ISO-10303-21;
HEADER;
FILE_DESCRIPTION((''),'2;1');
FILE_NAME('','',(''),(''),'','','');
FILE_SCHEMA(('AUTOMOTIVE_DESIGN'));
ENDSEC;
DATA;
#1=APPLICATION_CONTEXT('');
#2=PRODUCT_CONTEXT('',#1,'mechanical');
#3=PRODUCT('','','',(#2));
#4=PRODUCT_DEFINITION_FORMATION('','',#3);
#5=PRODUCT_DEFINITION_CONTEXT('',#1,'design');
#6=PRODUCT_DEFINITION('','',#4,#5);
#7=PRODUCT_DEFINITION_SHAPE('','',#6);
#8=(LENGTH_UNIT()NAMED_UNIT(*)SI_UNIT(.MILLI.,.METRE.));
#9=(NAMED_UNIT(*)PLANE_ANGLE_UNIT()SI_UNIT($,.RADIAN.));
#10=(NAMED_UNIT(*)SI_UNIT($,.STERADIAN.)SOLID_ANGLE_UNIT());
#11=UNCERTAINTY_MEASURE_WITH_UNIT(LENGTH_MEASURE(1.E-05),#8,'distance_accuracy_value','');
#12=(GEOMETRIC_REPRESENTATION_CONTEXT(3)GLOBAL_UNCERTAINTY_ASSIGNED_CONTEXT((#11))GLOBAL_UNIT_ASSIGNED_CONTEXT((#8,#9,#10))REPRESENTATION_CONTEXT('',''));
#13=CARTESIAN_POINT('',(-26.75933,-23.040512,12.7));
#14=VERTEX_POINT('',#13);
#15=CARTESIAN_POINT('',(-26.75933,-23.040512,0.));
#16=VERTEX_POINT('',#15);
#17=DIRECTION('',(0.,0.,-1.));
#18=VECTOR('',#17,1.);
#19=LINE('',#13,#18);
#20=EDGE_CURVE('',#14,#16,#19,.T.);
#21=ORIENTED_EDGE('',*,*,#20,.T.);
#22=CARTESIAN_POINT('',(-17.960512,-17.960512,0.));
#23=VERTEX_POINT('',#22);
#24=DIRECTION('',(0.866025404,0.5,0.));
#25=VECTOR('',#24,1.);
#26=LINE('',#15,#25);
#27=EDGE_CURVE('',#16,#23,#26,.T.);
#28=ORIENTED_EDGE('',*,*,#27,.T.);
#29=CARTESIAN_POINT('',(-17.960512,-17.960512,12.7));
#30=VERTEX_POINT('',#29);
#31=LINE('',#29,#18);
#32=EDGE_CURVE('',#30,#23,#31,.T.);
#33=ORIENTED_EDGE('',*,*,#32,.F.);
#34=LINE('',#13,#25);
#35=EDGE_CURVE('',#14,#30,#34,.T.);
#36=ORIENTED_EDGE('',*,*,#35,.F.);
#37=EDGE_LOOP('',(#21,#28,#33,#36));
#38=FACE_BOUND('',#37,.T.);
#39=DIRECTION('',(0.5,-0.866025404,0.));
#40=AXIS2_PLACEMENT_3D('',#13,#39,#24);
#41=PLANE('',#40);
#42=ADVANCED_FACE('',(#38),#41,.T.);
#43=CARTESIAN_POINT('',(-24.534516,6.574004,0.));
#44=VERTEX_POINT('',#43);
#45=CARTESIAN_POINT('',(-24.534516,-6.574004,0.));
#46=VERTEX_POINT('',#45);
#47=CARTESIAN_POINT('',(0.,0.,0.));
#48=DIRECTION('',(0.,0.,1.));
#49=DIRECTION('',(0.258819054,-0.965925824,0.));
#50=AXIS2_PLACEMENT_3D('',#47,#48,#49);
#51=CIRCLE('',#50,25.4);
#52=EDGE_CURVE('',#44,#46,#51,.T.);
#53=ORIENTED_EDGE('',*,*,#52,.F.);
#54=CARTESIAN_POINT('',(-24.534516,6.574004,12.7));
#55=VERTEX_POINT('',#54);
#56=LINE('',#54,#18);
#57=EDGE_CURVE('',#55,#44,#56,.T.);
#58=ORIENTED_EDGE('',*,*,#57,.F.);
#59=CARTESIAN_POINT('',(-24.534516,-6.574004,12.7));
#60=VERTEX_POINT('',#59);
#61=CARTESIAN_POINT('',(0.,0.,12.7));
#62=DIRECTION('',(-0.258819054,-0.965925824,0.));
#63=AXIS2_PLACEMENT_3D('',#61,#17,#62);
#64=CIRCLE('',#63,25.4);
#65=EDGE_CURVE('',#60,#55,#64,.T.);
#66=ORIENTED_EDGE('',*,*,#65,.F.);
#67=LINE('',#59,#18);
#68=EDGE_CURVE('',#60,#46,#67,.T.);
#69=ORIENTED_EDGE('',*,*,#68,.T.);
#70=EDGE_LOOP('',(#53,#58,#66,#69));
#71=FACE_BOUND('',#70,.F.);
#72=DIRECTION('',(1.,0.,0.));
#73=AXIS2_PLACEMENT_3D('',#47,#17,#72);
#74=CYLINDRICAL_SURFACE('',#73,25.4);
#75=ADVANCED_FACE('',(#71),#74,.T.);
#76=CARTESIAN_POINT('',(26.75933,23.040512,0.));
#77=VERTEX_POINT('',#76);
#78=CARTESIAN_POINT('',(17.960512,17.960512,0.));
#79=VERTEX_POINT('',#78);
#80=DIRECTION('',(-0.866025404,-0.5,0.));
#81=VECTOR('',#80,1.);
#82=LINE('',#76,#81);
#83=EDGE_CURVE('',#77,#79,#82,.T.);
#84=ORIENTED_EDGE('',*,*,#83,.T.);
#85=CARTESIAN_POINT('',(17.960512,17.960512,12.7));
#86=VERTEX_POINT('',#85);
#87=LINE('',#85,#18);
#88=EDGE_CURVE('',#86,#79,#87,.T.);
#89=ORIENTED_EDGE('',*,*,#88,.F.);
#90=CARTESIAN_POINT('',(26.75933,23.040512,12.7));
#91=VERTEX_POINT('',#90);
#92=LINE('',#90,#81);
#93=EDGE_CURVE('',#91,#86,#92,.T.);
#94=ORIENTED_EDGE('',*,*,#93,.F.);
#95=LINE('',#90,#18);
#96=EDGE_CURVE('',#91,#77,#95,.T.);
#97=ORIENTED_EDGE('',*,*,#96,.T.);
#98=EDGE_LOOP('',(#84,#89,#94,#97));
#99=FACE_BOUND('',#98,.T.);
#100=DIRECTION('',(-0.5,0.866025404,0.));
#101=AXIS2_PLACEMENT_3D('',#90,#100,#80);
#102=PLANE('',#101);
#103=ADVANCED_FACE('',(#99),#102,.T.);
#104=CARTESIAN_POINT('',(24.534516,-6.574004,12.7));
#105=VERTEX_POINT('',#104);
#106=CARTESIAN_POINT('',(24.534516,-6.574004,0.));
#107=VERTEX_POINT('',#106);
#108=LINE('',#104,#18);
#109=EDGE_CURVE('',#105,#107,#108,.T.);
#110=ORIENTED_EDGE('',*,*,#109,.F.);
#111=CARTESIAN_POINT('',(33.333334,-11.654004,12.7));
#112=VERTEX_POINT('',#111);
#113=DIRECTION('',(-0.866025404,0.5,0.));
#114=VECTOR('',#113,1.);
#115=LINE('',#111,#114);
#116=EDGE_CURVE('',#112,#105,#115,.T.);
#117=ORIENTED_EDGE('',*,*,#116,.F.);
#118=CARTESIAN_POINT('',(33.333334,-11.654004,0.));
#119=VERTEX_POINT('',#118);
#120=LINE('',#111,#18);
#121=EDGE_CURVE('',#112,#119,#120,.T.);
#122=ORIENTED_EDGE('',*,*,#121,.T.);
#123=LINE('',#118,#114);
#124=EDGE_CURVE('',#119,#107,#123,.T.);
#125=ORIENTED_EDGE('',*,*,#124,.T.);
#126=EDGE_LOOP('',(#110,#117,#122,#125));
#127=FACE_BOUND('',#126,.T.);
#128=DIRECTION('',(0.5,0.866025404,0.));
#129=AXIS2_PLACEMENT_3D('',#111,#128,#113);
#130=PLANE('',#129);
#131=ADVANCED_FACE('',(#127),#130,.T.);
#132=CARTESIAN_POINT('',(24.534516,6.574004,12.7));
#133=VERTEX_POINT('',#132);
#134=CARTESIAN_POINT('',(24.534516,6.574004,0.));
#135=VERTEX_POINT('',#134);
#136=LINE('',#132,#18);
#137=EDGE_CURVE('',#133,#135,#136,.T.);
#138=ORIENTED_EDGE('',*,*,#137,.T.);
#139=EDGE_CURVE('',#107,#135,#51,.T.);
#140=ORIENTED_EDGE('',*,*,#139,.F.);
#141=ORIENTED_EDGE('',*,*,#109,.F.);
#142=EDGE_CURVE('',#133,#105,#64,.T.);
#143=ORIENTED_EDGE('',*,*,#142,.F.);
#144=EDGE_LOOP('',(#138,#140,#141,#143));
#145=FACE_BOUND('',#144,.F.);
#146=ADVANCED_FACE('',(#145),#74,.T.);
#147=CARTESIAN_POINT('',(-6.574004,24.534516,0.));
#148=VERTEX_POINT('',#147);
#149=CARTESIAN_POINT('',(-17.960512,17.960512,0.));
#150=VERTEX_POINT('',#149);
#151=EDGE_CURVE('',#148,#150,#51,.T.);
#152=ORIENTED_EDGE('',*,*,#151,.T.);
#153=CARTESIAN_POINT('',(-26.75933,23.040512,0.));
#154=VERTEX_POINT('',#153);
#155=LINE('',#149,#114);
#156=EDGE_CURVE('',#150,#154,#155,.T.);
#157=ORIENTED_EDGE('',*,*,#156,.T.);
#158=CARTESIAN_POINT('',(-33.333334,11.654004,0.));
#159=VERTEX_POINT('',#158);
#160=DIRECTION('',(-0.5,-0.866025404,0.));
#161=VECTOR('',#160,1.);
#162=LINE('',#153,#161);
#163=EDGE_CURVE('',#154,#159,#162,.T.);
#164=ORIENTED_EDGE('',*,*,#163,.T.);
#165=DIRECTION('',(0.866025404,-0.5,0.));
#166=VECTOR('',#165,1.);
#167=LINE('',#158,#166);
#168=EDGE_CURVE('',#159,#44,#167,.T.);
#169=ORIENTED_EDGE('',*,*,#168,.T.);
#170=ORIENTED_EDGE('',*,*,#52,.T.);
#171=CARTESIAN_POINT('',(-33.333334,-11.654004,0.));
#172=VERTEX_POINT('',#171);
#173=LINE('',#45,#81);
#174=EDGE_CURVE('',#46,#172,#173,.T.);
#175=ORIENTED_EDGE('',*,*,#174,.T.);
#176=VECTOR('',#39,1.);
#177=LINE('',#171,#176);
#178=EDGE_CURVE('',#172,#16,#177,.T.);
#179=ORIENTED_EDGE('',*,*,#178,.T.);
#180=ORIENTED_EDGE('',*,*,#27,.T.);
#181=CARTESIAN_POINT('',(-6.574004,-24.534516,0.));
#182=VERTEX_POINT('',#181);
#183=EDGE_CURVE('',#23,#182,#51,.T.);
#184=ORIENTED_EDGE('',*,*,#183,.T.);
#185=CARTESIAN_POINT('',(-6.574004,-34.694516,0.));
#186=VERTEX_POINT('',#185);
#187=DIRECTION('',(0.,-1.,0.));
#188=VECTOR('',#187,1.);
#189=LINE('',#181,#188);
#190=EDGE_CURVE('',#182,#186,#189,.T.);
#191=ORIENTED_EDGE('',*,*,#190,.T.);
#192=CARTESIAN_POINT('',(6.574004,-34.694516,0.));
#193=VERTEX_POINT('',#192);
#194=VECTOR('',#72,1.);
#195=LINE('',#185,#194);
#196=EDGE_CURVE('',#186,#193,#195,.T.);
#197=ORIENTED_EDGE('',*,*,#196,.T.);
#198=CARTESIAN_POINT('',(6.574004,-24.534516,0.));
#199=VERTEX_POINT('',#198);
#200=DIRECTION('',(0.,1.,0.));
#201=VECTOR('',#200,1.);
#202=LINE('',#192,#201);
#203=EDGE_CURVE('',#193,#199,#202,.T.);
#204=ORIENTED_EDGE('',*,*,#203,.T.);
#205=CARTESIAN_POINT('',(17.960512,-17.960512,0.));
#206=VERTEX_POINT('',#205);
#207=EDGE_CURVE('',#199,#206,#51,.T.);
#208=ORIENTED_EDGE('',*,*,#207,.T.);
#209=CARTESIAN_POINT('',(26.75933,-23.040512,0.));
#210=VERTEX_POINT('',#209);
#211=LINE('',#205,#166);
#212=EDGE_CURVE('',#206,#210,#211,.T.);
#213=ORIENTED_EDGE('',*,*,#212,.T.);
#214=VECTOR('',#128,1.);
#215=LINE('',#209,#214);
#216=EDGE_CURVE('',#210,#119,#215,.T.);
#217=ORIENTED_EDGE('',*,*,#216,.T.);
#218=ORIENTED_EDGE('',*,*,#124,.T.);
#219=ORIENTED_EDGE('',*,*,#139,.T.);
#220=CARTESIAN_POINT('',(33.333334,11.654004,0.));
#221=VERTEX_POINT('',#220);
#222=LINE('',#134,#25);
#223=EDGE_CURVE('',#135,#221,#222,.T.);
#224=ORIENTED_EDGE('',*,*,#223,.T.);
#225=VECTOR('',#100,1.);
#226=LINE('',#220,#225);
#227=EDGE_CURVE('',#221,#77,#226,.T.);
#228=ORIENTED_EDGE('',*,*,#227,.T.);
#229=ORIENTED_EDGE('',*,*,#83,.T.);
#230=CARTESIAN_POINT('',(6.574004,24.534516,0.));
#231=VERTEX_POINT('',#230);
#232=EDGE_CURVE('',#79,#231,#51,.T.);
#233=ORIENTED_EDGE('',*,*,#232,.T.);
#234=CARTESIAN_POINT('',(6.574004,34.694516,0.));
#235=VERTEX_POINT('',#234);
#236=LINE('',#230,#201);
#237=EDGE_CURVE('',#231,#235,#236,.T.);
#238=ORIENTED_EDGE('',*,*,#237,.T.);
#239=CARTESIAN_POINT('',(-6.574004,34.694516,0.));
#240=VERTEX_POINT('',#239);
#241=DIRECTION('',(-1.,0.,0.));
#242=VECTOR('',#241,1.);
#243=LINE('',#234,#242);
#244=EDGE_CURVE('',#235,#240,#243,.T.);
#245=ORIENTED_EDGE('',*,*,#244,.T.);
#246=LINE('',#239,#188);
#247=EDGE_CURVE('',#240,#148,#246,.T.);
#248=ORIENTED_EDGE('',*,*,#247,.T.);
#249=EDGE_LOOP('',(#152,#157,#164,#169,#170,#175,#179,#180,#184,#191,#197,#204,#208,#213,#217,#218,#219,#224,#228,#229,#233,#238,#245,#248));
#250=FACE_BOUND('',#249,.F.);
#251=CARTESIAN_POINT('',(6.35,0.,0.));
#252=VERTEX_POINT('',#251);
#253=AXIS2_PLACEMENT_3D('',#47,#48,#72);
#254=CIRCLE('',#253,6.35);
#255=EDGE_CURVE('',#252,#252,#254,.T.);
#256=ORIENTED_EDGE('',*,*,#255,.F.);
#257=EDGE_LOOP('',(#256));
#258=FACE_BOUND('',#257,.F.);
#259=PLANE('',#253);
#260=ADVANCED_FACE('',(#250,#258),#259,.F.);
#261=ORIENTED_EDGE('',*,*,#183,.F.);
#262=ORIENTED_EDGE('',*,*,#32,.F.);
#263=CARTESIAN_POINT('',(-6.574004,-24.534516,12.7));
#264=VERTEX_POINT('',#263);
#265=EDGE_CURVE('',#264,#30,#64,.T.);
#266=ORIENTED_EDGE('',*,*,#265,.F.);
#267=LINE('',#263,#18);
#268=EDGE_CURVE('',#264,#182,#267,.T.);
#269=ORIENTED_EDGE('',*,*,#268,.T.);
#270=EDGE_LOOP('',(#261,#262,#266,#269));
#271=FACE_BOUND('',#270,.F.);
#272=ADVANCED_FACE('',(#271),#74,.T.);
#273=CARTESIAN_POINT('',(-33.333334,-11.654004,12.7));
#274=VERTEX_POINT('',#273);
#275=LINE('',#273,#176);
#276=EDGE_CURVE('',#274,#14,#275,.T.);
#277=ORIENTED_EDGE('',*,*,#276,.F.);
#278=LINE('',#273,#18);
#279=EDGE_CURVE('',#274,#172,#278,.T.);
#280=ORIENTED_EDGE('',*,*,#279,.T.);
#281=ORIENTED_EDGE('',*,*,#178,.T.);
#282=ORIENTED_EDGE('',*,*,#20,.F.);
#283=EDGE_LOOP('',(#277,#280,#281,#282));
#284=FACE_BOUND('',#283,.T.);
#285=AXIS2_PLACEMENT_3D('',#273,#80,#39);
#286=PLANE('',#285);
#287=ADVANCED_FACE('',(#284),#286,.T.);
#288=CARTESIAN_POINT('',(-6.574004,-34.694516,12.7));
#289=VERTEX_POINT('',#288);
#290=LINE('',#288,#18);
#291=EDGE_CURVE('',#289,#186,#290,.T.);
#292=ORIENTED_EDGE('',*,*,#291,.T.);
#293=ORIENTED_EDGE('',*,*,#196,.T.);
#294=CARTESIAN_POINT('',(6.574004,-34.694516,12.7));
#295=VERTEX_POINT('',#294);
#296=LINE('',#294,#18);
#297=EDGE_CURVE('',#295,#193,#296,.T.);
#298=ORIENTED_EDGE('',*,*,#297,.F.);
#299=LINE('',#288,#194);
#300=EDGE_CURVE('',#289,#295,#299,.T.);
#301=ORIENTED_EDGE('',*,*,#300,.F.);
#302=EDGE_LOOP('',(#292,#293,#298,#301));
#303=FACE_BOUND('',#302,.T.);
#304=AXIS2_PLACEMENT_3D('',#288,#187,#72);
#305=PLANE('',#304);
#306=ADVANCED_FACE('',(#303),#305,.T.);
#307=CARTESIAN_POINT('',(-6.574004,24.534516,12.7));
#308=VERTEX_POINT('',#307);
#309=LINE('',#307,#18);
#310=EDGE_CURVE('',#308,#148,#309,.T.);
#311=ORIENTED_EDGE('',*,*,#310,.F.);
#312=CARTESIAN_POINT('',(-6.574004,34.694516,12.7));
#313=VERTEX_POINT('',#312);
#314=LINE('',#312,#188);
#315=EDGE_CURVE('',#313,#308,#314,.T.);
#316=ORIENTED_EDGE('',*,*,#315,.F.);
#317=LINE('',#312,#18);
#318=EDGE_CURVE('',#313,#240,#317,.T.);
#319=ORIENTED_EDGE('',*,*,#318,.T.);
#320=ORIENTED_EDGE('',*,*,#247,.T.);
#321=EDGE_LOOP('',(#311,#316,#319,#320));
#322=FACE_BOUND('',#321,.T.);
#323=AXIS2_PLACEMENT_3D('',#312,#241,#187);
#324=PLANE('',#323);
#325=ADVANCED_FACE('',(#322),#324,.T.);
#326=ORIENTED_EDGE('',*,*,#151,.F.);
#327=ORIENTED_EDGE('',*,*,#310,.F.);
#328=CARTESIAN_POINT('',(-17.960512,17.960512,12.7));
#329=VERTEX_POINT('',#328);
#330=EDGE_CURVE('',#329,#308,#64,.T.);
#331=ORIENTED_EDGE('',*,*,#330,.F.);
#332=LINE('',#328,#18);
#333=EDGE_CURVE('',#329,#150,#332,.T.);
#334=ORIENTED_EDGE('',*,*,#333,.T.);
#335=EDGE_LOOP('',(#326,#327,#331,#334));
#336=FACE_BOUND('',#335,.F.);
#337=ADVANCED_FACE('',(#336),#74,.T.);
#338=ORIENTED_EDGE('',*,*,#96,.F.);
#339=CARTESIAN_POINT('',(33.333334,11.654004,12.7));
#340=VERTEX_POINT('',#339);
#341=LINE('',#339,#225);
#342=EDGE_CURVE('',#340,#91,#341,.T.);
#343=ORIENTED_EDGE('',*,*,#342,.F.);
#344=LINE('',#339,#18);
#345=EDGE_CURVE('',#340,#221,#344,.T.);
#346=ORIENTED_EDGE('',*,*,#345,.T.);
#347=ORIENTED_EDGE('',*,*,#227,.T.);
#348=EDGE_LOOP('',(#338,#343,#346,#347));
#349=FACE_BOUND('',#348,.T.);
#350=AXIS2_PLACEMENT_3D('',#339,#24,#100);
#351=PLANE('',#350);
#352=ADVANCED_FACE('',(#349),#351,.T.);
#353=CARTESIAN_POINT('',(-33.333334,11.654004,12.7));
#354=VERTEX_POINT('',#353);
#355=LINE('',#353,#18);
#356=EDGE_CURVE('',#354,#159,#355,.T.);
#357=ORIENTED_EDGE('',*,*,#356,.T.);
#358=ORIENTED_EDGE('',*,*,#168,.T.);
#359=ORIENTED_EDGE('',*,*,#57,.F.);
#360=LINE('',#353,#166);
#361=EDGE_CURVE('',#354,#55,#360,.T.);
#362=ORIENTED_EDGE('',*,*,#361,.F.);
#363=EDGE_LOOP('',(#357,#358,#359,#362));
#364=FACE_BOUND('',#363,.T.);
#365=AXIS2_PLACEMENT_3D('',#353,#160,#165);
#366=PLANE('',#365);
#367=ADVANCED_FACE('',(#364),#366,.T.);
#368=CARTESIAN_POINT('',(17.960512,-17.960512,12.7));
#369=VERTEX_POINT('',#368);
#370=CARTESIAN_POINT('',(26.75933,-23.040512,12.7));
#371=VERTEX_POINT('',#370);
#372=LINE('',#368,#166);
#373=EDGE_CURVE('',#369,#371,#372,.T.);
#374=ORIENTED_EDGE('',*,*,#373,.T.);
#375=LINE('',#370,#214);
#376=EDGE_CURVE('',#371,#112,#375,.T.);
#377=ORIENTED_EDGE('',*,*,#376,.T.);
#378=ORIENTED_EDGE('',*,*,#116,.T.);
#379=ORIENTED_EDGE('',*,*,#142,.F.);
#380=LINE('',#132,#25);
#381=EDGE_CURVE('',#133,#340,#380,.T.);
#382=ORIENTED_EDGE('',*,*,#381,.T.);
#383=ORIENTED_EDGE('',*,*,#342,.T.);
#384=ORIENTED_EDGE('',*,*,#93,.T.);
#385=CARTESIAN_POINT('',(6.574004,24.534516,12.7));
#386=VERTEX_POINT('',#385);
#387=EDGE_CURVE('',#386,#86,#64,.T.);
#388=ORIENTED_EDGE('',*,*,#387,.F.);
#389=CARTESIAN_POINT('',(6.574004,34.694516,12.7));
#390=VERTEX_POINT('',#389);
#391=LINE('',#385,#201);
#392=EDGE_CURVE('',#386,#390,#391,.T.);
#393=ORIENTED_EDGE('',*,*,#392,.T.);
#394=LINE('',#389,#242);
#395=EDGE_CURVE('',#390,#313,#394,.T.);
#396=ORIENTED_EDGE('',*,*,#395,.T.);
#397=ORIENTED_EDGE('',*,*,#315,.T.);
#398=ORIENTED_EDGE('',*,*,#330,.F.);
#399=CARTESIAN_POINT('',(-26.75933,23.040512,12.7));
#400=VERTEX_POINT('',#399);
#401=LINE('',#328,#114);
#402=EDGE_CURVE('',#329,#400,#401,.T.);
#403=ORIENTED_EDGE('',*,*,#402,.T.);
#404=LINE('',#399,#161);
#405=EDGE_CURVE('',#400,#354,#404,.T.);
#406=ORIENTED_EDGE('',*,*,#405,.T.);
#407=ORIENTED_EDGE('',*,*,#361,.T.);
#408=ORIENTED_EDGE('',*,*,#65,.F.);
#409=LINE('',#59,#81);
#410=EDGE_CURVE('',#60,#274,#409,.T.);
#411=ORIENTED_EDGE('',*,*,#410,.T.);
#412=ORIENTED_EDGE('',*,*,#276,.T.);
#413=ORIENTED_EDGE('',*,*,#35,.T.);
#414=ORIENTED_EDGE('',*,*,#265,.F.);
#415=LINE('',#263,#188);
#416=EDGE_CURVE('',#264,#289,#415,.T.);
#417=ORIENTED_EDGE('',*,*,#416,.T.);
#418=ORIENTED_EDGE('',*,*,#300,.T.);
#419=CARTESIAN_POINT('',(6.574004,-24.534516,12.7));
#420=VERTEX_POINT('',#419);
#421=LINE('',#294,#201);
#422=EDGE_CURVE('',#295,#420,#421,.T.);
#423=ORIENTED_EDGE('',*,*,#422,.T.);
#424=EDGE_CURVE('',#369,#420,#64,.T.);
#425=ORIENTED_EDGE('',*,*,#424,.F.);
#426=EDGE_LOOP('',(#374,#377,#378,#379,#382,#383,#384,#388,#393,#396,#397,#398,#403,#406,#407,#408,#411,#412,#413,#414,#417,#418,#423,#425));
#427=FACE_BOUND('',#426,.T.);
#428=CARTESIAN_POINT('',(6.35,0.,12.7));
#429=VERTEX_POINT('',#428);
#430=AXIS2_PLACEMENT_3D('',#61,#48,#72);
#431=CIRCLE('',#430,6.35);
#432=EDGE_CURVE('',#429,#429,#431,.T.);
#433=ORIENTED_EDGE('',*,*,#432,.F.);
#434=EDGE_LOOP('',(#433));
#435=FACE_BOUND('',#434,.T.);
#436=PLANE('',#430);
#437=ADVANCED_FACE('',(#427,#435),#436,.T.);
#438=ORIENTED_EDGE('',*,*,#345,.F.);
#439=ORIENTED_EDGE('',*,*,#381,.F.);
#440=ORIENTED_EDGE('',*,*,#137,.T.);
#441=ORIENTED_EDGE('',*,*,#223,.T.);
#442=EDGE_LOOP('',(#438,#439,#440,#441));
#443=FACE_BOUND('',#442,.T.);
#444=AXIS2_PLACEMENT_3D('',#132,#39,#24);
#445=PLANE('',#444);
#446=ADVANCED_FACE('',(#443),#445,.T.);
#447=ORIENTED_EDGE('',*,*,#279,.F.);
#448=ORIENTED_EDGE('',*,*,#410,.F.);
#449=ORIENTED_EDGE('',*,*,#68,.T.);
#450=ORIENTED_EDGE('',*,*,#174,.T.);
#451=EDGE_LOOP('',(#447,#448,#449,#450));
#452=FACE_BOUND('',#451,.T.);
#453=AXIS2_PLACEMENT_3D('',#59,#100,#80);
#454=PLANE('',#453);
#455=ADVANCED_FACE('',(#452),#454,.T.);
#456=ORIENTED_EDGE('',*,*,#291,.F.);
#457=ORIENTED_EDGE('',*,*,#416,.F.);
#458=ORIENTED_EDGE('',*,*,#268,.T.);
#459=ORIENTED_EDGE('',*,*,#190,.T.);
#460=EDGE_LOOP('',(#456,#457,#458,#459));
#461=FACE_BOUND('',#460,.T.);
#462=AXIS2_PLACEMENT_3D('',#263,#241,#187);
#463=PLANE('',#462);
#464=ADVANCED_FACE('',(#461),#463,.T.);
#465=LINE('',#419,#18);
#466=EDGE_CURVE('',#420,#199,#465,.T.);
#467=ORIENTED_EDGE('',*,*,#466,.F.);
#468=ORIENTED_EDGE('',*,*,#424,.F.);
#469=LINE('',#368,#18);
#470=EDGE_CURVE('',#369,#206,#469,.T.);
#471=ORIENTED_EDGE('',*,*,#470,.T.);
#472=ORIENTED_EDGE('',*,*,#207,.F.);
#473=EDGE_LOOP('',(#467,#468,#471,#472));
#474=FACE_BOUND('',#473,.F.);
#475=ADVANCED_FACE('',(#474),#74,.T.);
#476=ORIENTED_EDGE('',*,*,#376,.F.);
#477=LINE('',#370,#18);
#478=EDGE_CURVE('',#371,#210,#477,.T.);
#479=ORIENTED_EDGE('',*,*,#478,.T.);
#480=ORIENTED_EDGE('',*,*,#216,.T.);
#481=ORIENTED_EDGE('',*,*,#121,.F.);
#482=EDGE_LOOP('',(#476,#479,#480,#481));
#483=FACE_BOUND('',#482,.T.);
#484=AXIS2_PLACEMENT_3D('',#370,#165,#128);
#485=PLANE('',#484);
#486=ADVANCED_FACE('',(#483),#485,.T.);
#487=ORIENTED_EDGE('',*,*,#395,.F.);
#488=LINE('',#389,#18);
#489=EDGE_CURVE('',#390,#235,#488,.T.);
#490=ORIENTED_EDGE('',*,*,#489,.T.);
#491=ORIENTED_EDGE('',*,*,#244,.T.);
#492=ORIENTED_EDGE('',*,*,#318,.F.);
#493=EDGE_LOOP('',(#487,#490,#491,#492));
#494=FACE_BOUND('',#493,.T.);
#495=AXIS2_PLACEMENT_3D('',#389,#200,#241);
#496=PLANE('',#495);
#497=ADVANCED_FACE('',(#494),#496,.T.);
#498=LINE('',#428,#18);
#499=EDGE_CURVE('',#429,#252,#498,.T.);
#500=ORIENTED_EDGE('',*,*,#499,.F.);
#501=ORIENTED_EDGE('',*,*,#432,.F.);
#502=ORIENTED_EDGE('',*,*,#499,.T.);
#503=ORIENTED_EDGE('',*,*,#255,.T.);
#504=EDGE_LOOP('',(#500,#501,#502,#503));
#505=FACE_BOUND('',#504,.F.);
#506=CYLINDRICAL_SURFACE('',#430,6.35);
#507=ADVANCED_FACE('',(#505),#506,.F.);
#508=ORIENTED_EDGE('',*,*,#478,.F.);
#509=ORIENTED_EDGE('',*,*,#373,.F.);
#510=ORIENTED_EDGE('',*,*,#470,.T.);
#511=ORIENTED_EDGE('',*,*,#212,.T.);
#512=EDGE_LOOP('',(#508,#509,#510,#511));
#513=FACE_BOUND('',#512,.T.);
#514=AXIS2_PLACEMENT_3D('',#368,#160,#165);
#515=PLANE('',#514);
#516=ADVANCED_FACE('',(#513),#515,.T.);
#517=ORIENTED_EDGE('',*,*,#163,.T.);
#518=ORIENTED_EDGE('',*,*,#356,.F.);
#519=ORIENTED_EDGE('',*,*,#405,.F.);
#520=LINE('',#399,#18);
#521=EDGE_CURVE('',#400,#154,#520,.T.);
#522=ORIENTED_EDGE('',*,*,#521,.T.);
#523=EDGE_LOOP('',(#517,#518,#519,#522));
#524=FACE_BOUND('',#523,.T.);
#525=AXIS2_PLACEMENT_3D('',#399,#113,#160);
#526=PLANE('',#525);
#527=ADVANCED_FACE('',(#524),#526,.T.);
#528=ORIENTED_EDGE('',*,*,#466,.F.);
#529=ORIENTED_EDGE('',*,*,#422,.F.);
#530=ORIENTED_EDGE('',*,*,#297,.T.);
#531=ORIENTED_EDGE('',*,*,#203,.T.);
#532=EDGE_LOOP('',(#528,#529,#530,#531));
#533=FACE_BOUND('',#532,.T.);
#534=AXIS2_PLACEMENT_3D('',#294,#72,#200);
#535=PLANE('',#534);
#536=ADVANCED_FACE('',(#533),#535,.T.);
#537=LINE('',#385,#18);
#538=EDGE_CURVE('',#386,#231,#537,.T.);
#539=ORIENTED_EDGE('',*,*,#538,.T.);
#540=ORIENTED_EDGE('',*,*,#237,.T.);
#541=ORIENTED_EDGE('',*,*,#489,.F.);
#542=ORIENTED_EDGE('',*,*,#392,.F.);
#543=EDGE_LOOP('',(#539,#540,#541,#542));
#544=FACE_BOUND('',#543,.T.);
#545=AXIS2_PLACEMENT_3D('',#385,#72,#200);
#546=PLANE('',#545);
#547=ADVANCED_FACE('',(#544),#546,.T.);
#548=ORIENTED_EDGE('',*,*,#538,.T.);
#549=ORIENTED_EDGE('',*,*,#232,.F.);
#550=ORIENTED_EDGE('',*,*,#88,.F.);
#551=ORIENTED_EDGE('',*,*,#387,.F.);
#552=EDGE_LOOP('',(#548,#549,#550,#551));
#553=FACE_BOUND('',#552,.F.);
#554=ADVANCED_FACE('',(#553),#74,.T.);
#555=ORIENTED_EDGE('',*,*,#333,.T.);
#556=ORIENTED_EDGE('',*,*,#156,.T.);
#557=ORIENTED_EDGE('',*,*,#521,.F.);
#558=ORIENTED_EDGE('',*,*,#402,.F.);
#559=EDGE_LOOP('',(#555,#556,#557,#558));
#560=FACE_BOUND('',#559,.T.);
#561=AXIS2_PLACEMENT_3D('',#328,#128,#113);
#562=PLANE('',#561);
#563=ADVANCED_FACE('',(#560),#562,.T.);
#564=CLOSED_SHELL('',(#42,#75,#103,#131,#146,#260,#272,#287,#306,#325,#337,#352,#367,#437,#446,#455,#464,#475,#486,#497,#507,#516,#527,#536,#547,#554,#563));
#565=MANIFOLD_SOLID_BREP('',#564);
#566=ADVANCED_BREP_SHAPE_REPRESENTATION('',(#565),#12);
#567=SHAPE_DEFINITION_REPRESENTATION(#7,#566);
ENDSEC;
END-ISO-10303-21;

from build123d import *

# Parameters (mm, degrees)
F0_R     = 25.4
F1_DEPTH = 12.7
F3_DEPTH = 12.7
F5_COUNT = 6
F6_R     = 6.35
F7_DEPTH = 12.7


with BuildPart() as f1:
    # F0 (on Top) → F1 (new body)
    with BuildSketch(Plane.XY):
        Circle(F0_R)
    extrude(amount=F1_DEPTH)

    # F2 (on face) → F3 (join)
    with BuildSketch(Plane.XY.offset(12.7)):
        with BuildLine():
            Line((6.574004, -34.694516), (6.574004, -24.534516))
            ThreePointArc((6.574004, -24.534516), (0, -25.4), (-6.574004, -24.534516))
            Line((-6.574004, -24.534516), (-6.574004, -34.694516))
            Line((-6.574004, -34.694516), (6.574004, -34.694516))
        make_face()
    extrude(amount=-F3_DEPTH)

    # F5: F1 ×6 about axis
    f5_axis = Axis((0, 0, -30.128863), (0, 0, -1))


with BuildPart() as f1_1:
    add(f1.part)
    for i in range(1, F5_COUNT):
        add(f1.part.rotate(f5_axis, i * 360 / F5_COUNT))

    # F6 (on face) → F7 (cut)
    with BuildSketch(Plane.XY.offset(12.7)):
        Circle(F6_R)
    extrude(amount=-F7_DEPTH, mode=Mode.SUBTRACT)


solid = f1_1.part
